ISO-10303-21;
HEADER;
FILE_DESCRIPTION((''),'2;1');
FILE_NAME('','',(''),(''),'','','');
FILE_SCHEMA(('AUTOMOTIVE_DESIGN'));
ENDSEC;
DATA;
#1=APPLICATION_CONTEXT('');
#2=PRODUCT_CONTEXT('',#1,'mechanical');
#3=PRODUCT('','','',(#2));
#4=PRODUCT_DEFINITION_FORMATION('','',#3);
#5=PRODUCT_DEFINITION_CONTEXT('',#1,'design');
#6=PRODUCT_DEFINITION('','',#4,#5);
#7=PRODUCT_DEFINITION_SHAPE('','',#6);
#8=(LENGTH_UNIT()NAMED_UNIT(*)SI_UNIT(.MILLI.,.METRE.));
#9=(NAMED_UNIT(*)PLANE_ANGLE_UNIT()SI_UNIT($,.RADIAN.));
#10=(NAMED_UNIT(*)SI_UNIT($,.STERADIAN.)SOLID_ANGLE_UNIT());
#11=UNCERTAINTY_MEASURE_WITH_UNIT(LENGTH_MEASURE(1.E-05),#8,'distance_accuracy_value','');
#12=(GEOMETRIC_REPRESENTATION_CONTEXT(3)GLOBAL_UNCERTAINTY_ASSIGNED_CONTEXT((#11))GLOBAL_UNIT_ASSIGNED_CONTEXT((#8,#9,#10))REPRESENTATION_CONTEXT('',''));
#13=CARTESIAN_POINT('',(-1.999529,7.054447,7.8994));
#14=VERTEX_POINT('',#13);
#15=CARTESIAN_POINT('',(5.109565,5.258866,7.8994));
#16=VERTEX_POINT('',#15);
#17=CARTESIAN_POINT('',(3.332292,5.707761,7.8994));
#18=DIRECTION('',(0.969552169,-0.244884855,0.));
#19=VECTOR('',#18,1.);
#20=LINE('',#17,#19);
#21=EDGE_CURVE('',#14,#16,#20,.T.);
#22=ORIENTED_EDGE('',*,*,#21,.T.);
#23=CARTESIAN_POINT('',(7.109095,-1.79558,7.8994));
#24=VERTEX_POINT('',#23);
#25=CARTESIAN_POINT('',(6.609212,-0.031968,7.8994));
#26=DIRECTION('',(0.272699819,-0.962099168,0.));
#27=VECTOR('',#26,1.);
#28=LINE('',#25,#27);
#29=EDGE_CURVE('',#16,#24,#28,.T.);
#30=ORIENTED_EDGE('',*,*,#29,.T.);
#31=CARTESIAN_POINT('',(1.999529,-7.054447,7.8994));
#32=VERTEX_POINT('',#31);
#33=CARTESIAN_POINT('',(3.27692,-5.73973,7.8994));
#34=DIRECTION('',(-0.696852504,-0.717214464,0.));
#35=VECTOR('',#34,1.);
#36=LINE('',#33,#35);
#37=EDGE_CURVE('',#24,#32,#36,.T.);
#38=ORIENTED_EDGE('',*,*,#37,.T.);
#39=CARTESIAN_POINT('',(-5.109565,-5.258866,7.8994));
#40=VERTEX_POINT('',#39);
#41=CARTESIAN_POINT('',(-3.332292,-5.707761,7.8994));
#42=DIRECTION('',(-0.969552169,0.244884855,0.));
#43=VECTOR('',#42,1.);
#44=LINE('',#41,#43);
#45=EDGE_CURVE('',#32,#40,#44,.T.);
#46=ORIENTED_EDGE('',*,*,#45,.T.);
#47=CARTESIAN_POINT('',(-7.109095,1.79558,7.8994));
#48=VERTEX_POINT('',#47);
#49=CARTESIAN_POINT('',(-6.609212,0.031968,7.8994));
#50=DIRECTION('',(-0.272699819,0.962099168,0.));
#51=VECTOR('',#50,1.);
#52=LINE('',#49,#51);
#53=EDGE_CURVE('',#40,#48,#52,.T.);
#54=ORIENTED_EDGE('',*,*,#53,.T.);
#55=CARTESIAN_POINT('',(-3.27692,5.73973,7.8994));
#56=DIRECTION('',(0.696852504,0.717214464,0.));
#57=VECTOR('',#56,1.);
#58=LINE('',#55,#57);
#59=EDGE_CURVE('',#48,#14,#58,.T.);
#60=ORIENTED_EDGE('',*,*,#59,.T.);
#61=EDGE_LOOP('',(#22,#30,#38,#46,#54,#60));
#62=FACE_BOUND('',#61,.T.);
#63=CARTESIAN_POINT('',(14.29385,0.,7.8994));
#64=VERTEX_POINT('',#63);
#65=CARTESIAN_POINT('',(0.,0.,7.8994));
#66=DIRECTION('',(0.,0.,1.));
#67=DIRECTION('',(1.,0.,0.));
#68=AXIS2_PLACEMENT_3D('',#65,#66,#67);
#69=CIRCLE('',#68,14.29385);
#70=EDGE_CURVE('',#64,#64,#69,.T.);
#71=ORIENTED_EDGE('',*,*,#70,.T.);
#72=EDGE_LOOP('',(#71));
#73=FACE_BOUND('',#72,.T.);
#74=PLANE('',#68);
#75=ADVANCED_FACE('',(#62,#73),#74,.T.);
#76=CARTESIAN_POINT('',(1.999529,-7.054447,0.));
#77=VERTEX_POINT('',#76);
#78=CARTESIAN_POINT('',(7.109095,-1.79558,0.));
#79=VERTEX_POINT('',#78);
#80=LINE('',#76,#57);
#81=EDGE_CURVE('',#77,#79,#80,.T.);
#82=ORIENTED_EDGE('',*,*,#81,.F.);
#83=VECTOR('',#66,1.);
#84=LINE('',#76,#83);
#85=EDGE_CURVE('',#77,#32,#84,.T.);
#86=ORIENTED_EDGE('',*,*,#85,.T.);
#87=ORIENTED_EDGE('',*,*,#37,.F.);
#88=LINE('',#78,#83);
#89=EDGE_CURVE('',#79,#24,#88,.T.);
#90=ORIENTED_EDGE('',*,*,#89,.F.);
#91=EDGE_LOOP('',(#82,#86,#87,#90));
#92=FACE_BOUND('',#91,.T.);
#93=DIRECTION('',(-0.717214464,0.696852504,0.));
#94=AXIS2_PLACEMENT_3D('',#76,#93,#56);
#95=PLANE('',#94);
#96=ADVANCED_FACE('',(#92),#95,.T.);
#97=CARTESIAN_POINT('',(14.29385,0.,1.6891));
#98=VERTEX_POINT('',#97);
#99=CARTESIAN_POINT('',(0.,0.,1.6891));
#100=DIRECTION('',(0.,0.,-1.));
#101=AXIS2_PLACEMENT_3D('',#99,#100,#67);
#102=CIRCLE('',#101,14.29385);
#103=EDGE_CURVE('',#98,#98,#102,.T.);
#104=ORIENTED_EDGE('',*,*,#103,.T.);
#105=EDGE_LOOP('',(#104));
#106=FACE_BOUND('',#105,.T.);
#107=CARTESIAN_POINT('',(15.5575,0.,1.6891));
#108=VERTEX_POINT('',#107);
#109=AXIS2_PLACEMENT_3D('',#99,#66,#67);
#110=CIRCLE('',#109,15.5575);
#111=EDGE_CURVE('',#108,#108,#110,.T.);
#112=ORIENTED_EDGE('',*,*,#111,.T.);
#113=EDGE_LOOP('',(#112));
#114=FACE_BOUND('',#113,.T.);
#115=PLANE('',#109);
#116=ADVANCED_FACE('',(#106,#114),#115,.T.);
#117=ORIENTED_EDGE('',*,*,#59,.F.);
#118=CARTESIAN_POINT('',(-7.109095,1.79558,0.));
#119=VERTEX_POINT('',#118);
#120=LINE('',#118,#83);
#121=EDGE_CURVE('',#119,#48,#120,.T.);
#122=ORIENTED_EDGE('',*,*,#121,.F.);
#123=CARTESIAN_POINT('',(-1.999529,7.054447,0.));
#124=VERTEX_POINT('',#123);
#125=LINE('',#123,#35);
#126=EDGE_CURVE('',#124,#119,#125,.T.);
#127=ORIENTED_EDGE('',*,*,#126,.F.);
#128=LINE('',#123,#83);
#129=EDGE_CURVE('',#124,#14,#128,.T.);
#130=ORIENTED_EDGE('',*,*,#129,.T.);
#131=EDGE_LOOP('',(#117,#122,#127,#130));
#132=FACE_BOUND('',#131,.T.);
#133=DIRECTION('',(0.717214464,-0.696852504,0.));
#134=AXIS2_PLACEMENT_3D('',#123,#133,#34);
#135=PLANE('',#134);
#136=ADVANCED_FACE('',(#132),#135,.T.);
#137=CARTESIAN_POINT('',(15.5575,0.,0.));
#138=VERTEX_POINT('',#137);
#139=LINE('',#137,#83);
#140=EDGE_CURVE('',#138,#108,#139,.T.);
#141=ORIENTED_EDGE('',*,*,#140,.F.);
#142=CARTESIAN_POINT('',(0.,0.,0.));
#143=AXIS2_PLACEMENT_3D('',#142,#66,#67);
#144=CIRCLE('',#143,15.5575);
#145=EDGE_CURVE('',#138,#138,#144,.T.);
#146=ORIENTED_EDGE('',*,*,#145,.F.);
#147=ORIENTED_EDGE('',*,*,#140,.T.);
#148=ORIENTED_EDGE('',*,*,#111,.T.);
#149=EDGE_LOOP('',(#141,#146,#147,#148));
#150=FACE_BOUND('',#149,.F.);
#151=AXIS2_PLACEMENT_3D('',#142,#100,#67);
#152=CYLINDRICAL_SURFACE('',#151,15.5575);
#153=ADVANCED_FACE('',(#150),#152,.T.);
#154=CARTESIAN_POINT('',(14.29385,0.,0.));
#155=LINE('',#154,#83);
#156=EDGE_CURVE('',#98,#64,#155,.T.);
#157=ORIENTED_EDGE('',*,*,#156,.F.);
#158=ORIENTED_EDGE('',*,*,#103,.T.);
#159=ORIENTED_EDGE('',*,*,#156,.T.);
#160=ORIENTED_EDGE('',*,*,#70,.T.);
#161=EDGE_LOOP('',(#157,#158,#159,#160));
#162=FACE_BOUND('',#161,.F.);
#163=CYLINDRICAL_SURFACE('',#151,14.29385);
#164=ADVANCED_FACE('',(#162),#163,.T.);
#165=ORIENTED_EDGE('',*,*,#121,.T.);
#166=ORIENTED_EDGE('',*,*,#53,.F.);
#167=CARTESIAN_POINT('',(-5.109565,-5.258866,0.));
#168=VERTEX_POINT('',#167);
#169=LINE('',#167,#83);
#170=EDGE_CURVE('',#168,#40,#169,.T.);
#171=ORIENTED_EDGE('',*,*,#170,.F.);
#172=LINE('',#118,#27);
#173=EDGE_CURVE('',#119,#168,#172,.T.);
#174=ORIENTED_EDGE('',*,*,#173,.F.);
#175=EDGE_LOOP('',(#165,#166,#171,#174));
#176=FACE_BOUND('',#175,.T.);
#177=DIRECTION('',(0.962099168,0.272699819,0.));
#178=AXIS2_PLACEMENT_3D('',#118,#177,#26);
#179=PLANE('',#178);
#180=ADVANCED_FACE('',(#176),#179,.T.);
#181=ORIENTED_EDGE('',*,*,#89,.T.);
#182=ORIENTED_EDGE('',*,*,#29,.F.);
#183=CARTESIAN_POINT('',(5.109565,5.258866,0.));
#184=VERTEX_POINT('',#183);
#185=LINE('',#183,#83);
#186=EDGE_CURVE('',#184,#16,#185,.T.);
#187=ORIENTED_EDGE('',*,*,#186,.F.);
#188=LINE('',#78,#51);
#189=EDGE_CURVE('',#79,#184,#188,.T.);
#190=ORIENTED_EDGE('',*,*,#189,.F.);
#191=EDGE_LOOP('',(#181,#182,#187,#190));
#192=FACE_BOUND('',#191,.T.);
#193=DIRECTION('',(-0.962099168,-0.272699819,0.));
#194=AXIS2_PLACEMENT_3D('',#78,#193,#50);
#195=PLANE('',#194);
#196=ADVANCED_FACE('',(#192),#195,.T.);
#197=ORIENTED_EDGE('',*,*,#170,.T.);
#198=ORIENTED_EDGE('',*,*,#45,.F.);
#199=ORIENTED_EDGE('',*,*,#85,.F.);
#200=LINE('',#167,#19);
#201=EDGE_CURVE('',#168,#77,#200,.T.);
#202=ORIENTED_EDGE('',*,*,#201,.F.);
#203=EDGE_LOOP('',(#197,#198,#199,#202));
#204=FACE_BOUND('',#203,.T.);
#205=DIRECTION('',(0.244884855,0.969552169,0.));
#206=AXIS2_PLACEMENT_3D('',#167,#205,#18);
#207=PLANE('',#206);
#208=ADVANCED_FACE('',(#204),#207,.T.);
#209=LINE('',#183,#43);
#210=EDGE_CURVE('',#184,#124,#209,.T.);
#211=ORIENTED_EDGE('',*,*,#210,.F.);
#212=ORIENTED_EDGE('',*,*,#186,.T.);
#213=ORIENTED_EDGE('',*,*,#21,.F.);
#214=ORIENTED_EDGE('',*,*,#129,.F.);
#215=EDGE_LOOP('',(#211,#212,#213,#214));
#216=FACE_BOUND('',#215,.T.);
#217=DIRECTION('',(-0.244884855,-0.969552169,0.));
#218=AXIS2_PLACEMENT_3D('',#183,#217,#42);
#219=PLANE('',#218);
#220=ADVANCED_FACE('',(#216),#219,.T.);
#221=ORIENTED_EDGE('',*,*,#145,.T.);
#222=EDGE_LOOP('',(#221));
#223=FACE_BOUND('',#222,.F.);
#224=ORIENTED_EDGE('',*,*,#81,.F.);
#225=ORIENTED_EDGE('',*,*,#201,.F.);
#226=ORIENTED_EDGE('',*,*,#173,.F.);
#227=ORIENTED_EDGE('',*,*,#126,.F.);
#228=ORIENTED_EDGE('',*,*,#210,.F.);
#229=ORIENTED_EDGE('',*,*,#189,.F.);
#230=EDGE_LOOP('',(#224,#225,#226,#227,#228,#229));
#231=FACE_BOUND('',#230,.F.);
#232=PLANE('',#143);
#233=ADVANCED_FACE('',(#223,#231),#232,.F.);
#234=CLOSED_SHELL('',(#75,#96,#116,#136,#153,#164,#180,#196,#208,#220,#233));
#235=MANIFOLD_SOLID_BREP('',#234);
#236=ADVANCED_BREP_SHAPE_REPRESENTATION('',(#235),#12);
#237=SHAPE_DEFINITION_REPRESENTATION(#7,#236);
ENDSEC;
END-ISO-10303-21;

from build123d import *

# Parameters (mm, degrees)
F2_R     = 15.5575
F3_DEPTH = 1.6891
F1_R     = 14.29385
F4_DEPTH = 7.8994
F5_DEPTH = 25.4


with BuildPart() as f3:
    # F2 (on Top) → F3 (new body)
    with BuildSketch(Plane.XY):
        Circle(F2_R)
    extrude(amount=F3_DEPTH)

    # F1 (on Top) → F4 (join)
    with BuildSketch(Plane.XY):
        Circle(F1_R)
    extrude(amount=F4_DEPTH)

    # F0 (on Top) → F5 (cut)
    with BuildSketch(Plane.XY):
        Polygon((1.999529, -7.054447), (7.109095, -1.79558), (5.109565, 5.258866), (-1.999529, 7.054447), (-7.109095, 1.79558), (-5.109565, -5.258866), align=None)
    extrude(amount=F5_DEPTH, mode=Mode.SUBTRACT)


solid = f3.part
